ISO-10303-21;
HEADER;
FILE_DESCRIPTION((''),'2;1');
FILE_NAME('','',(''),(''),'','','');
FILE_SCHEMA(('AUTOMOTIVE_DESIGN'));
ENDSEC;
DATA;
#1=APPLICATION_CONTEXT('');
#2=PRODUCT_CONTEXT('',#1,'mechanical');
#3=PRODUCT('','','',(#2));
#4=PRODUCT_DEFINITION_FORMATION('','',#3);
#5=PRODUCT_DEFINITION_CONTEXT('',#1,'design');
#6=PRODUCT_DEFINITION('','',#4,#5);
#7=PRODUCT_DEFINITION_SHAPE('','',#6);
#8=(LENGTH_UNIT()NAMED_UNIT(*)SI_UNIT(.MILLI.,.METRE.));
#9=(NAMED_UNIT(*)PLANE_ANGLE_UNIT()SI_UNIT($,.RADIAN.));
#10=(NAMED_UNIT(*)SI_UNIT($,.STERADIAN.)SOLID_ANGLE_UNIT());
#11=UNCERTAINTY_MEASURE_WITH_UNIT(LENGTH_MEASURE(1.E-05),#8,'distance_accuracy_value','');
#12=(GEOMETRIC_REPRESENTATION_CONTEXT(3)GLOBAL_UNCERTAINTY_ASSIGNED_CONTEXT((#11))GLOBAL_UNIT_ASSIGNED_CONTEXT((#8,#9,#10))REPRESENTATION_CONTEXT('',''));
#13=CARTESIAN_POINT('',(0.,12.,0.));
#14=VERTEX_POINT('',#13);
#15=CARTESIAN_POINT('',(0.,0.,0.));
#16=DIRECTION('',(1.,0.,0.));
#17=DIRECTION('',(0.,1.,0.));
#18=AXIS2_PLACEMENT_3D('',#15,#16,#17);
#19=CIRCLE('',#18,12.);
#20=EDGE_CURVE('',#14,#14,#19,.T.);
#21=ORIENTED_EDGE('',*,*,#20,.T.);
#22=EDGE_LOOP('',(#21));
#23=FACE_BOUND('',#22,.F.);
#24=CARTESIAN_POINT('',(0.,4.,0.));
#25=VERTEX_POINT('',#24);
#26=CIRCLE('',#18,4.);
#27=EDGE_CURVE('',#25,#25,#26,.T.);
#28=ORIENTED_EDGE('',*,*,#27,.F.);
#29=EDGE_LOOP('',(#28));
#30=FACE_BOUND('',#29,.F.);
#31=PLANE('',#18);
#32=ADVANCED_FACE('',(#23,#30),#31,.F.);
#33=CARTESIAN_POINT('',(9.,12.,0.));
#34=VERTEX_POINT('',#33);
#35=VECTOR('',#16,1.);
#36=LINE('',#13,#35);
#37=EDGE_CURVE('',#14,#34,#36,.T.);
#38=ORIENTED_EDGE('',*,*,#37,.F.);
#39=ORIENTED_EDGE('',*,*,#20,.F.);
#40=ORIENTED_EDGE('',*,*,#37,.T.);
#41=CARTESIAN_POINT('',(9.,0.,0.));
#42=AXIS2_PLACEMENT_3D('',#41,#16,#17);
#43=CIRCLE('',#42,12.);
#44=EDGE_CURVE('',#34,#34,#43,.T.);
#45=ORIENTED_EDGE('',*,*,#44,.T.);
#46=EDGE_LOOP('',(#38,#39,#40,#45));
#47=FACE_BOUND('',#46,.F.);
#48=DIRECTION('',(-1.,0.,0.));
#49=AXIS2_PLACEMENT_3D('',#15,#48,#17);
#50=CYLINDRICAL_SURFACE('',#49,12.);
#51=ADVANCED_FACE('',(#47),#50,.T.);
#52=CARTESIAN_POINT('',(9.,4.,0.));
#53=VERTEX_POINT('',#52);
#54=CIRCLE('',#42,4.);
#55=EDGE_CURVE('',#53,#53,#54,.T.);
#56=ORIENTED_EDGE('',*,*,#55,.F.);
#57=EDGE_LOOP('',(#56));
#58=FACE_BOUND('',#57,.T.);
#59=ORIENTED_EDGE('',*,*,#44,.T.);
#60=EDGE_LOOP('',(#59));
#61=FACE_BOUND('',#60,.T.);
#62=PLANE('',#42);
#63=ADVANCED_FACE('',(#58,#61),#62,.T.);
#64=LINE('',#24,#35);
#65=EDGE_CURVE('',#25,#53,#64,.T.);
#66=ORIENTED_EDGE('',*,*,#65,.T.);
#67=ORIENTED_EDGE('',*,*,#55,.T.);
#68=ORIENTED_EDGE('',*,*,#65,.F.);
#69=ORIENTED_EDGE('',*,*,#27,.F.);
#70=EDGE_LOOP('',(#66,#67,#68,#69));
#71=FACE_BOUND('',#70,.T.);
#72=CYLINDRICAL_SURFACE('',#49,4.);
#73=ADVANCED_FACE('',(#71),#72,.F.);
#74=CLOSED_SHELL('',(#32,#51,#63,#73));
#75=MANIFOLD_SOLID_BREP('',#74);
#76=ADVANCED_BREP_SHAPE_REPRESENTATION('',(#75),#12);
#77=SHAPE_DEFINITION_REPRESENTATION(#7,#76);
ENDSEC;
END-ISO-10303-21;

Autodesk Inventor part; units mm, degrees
ref_plane "YZ Plane" through (0, 0, 0) normal (1, 0, 0) x (0, 1, 0)
ref_plane "XZ Plane" through (0, 0, 0) normal (0, 1, 0) x (-1, 0, 0)
ref_plane "XY Plane" through (0, 0, 0) normal (0, 0, 1) x (1, 0, 0)
sketch "Sketch1" plane through (0, 0, 0) normal (1, 0, 0) x (0, 1, 0)
  circle A0 centre (0, 0) radius 12
  circle A1 centre (0, 0) radius 4
  circle A2 centre (0, 0) radius 8
  dimension "d0" = 24
  dimension "d1" = 8
  dimension "d2" = 16
extrude "Extrusion1" add sketch "Sketch1" along normal blind 9 contours A0 | A2
properties part number "628_bearing"
